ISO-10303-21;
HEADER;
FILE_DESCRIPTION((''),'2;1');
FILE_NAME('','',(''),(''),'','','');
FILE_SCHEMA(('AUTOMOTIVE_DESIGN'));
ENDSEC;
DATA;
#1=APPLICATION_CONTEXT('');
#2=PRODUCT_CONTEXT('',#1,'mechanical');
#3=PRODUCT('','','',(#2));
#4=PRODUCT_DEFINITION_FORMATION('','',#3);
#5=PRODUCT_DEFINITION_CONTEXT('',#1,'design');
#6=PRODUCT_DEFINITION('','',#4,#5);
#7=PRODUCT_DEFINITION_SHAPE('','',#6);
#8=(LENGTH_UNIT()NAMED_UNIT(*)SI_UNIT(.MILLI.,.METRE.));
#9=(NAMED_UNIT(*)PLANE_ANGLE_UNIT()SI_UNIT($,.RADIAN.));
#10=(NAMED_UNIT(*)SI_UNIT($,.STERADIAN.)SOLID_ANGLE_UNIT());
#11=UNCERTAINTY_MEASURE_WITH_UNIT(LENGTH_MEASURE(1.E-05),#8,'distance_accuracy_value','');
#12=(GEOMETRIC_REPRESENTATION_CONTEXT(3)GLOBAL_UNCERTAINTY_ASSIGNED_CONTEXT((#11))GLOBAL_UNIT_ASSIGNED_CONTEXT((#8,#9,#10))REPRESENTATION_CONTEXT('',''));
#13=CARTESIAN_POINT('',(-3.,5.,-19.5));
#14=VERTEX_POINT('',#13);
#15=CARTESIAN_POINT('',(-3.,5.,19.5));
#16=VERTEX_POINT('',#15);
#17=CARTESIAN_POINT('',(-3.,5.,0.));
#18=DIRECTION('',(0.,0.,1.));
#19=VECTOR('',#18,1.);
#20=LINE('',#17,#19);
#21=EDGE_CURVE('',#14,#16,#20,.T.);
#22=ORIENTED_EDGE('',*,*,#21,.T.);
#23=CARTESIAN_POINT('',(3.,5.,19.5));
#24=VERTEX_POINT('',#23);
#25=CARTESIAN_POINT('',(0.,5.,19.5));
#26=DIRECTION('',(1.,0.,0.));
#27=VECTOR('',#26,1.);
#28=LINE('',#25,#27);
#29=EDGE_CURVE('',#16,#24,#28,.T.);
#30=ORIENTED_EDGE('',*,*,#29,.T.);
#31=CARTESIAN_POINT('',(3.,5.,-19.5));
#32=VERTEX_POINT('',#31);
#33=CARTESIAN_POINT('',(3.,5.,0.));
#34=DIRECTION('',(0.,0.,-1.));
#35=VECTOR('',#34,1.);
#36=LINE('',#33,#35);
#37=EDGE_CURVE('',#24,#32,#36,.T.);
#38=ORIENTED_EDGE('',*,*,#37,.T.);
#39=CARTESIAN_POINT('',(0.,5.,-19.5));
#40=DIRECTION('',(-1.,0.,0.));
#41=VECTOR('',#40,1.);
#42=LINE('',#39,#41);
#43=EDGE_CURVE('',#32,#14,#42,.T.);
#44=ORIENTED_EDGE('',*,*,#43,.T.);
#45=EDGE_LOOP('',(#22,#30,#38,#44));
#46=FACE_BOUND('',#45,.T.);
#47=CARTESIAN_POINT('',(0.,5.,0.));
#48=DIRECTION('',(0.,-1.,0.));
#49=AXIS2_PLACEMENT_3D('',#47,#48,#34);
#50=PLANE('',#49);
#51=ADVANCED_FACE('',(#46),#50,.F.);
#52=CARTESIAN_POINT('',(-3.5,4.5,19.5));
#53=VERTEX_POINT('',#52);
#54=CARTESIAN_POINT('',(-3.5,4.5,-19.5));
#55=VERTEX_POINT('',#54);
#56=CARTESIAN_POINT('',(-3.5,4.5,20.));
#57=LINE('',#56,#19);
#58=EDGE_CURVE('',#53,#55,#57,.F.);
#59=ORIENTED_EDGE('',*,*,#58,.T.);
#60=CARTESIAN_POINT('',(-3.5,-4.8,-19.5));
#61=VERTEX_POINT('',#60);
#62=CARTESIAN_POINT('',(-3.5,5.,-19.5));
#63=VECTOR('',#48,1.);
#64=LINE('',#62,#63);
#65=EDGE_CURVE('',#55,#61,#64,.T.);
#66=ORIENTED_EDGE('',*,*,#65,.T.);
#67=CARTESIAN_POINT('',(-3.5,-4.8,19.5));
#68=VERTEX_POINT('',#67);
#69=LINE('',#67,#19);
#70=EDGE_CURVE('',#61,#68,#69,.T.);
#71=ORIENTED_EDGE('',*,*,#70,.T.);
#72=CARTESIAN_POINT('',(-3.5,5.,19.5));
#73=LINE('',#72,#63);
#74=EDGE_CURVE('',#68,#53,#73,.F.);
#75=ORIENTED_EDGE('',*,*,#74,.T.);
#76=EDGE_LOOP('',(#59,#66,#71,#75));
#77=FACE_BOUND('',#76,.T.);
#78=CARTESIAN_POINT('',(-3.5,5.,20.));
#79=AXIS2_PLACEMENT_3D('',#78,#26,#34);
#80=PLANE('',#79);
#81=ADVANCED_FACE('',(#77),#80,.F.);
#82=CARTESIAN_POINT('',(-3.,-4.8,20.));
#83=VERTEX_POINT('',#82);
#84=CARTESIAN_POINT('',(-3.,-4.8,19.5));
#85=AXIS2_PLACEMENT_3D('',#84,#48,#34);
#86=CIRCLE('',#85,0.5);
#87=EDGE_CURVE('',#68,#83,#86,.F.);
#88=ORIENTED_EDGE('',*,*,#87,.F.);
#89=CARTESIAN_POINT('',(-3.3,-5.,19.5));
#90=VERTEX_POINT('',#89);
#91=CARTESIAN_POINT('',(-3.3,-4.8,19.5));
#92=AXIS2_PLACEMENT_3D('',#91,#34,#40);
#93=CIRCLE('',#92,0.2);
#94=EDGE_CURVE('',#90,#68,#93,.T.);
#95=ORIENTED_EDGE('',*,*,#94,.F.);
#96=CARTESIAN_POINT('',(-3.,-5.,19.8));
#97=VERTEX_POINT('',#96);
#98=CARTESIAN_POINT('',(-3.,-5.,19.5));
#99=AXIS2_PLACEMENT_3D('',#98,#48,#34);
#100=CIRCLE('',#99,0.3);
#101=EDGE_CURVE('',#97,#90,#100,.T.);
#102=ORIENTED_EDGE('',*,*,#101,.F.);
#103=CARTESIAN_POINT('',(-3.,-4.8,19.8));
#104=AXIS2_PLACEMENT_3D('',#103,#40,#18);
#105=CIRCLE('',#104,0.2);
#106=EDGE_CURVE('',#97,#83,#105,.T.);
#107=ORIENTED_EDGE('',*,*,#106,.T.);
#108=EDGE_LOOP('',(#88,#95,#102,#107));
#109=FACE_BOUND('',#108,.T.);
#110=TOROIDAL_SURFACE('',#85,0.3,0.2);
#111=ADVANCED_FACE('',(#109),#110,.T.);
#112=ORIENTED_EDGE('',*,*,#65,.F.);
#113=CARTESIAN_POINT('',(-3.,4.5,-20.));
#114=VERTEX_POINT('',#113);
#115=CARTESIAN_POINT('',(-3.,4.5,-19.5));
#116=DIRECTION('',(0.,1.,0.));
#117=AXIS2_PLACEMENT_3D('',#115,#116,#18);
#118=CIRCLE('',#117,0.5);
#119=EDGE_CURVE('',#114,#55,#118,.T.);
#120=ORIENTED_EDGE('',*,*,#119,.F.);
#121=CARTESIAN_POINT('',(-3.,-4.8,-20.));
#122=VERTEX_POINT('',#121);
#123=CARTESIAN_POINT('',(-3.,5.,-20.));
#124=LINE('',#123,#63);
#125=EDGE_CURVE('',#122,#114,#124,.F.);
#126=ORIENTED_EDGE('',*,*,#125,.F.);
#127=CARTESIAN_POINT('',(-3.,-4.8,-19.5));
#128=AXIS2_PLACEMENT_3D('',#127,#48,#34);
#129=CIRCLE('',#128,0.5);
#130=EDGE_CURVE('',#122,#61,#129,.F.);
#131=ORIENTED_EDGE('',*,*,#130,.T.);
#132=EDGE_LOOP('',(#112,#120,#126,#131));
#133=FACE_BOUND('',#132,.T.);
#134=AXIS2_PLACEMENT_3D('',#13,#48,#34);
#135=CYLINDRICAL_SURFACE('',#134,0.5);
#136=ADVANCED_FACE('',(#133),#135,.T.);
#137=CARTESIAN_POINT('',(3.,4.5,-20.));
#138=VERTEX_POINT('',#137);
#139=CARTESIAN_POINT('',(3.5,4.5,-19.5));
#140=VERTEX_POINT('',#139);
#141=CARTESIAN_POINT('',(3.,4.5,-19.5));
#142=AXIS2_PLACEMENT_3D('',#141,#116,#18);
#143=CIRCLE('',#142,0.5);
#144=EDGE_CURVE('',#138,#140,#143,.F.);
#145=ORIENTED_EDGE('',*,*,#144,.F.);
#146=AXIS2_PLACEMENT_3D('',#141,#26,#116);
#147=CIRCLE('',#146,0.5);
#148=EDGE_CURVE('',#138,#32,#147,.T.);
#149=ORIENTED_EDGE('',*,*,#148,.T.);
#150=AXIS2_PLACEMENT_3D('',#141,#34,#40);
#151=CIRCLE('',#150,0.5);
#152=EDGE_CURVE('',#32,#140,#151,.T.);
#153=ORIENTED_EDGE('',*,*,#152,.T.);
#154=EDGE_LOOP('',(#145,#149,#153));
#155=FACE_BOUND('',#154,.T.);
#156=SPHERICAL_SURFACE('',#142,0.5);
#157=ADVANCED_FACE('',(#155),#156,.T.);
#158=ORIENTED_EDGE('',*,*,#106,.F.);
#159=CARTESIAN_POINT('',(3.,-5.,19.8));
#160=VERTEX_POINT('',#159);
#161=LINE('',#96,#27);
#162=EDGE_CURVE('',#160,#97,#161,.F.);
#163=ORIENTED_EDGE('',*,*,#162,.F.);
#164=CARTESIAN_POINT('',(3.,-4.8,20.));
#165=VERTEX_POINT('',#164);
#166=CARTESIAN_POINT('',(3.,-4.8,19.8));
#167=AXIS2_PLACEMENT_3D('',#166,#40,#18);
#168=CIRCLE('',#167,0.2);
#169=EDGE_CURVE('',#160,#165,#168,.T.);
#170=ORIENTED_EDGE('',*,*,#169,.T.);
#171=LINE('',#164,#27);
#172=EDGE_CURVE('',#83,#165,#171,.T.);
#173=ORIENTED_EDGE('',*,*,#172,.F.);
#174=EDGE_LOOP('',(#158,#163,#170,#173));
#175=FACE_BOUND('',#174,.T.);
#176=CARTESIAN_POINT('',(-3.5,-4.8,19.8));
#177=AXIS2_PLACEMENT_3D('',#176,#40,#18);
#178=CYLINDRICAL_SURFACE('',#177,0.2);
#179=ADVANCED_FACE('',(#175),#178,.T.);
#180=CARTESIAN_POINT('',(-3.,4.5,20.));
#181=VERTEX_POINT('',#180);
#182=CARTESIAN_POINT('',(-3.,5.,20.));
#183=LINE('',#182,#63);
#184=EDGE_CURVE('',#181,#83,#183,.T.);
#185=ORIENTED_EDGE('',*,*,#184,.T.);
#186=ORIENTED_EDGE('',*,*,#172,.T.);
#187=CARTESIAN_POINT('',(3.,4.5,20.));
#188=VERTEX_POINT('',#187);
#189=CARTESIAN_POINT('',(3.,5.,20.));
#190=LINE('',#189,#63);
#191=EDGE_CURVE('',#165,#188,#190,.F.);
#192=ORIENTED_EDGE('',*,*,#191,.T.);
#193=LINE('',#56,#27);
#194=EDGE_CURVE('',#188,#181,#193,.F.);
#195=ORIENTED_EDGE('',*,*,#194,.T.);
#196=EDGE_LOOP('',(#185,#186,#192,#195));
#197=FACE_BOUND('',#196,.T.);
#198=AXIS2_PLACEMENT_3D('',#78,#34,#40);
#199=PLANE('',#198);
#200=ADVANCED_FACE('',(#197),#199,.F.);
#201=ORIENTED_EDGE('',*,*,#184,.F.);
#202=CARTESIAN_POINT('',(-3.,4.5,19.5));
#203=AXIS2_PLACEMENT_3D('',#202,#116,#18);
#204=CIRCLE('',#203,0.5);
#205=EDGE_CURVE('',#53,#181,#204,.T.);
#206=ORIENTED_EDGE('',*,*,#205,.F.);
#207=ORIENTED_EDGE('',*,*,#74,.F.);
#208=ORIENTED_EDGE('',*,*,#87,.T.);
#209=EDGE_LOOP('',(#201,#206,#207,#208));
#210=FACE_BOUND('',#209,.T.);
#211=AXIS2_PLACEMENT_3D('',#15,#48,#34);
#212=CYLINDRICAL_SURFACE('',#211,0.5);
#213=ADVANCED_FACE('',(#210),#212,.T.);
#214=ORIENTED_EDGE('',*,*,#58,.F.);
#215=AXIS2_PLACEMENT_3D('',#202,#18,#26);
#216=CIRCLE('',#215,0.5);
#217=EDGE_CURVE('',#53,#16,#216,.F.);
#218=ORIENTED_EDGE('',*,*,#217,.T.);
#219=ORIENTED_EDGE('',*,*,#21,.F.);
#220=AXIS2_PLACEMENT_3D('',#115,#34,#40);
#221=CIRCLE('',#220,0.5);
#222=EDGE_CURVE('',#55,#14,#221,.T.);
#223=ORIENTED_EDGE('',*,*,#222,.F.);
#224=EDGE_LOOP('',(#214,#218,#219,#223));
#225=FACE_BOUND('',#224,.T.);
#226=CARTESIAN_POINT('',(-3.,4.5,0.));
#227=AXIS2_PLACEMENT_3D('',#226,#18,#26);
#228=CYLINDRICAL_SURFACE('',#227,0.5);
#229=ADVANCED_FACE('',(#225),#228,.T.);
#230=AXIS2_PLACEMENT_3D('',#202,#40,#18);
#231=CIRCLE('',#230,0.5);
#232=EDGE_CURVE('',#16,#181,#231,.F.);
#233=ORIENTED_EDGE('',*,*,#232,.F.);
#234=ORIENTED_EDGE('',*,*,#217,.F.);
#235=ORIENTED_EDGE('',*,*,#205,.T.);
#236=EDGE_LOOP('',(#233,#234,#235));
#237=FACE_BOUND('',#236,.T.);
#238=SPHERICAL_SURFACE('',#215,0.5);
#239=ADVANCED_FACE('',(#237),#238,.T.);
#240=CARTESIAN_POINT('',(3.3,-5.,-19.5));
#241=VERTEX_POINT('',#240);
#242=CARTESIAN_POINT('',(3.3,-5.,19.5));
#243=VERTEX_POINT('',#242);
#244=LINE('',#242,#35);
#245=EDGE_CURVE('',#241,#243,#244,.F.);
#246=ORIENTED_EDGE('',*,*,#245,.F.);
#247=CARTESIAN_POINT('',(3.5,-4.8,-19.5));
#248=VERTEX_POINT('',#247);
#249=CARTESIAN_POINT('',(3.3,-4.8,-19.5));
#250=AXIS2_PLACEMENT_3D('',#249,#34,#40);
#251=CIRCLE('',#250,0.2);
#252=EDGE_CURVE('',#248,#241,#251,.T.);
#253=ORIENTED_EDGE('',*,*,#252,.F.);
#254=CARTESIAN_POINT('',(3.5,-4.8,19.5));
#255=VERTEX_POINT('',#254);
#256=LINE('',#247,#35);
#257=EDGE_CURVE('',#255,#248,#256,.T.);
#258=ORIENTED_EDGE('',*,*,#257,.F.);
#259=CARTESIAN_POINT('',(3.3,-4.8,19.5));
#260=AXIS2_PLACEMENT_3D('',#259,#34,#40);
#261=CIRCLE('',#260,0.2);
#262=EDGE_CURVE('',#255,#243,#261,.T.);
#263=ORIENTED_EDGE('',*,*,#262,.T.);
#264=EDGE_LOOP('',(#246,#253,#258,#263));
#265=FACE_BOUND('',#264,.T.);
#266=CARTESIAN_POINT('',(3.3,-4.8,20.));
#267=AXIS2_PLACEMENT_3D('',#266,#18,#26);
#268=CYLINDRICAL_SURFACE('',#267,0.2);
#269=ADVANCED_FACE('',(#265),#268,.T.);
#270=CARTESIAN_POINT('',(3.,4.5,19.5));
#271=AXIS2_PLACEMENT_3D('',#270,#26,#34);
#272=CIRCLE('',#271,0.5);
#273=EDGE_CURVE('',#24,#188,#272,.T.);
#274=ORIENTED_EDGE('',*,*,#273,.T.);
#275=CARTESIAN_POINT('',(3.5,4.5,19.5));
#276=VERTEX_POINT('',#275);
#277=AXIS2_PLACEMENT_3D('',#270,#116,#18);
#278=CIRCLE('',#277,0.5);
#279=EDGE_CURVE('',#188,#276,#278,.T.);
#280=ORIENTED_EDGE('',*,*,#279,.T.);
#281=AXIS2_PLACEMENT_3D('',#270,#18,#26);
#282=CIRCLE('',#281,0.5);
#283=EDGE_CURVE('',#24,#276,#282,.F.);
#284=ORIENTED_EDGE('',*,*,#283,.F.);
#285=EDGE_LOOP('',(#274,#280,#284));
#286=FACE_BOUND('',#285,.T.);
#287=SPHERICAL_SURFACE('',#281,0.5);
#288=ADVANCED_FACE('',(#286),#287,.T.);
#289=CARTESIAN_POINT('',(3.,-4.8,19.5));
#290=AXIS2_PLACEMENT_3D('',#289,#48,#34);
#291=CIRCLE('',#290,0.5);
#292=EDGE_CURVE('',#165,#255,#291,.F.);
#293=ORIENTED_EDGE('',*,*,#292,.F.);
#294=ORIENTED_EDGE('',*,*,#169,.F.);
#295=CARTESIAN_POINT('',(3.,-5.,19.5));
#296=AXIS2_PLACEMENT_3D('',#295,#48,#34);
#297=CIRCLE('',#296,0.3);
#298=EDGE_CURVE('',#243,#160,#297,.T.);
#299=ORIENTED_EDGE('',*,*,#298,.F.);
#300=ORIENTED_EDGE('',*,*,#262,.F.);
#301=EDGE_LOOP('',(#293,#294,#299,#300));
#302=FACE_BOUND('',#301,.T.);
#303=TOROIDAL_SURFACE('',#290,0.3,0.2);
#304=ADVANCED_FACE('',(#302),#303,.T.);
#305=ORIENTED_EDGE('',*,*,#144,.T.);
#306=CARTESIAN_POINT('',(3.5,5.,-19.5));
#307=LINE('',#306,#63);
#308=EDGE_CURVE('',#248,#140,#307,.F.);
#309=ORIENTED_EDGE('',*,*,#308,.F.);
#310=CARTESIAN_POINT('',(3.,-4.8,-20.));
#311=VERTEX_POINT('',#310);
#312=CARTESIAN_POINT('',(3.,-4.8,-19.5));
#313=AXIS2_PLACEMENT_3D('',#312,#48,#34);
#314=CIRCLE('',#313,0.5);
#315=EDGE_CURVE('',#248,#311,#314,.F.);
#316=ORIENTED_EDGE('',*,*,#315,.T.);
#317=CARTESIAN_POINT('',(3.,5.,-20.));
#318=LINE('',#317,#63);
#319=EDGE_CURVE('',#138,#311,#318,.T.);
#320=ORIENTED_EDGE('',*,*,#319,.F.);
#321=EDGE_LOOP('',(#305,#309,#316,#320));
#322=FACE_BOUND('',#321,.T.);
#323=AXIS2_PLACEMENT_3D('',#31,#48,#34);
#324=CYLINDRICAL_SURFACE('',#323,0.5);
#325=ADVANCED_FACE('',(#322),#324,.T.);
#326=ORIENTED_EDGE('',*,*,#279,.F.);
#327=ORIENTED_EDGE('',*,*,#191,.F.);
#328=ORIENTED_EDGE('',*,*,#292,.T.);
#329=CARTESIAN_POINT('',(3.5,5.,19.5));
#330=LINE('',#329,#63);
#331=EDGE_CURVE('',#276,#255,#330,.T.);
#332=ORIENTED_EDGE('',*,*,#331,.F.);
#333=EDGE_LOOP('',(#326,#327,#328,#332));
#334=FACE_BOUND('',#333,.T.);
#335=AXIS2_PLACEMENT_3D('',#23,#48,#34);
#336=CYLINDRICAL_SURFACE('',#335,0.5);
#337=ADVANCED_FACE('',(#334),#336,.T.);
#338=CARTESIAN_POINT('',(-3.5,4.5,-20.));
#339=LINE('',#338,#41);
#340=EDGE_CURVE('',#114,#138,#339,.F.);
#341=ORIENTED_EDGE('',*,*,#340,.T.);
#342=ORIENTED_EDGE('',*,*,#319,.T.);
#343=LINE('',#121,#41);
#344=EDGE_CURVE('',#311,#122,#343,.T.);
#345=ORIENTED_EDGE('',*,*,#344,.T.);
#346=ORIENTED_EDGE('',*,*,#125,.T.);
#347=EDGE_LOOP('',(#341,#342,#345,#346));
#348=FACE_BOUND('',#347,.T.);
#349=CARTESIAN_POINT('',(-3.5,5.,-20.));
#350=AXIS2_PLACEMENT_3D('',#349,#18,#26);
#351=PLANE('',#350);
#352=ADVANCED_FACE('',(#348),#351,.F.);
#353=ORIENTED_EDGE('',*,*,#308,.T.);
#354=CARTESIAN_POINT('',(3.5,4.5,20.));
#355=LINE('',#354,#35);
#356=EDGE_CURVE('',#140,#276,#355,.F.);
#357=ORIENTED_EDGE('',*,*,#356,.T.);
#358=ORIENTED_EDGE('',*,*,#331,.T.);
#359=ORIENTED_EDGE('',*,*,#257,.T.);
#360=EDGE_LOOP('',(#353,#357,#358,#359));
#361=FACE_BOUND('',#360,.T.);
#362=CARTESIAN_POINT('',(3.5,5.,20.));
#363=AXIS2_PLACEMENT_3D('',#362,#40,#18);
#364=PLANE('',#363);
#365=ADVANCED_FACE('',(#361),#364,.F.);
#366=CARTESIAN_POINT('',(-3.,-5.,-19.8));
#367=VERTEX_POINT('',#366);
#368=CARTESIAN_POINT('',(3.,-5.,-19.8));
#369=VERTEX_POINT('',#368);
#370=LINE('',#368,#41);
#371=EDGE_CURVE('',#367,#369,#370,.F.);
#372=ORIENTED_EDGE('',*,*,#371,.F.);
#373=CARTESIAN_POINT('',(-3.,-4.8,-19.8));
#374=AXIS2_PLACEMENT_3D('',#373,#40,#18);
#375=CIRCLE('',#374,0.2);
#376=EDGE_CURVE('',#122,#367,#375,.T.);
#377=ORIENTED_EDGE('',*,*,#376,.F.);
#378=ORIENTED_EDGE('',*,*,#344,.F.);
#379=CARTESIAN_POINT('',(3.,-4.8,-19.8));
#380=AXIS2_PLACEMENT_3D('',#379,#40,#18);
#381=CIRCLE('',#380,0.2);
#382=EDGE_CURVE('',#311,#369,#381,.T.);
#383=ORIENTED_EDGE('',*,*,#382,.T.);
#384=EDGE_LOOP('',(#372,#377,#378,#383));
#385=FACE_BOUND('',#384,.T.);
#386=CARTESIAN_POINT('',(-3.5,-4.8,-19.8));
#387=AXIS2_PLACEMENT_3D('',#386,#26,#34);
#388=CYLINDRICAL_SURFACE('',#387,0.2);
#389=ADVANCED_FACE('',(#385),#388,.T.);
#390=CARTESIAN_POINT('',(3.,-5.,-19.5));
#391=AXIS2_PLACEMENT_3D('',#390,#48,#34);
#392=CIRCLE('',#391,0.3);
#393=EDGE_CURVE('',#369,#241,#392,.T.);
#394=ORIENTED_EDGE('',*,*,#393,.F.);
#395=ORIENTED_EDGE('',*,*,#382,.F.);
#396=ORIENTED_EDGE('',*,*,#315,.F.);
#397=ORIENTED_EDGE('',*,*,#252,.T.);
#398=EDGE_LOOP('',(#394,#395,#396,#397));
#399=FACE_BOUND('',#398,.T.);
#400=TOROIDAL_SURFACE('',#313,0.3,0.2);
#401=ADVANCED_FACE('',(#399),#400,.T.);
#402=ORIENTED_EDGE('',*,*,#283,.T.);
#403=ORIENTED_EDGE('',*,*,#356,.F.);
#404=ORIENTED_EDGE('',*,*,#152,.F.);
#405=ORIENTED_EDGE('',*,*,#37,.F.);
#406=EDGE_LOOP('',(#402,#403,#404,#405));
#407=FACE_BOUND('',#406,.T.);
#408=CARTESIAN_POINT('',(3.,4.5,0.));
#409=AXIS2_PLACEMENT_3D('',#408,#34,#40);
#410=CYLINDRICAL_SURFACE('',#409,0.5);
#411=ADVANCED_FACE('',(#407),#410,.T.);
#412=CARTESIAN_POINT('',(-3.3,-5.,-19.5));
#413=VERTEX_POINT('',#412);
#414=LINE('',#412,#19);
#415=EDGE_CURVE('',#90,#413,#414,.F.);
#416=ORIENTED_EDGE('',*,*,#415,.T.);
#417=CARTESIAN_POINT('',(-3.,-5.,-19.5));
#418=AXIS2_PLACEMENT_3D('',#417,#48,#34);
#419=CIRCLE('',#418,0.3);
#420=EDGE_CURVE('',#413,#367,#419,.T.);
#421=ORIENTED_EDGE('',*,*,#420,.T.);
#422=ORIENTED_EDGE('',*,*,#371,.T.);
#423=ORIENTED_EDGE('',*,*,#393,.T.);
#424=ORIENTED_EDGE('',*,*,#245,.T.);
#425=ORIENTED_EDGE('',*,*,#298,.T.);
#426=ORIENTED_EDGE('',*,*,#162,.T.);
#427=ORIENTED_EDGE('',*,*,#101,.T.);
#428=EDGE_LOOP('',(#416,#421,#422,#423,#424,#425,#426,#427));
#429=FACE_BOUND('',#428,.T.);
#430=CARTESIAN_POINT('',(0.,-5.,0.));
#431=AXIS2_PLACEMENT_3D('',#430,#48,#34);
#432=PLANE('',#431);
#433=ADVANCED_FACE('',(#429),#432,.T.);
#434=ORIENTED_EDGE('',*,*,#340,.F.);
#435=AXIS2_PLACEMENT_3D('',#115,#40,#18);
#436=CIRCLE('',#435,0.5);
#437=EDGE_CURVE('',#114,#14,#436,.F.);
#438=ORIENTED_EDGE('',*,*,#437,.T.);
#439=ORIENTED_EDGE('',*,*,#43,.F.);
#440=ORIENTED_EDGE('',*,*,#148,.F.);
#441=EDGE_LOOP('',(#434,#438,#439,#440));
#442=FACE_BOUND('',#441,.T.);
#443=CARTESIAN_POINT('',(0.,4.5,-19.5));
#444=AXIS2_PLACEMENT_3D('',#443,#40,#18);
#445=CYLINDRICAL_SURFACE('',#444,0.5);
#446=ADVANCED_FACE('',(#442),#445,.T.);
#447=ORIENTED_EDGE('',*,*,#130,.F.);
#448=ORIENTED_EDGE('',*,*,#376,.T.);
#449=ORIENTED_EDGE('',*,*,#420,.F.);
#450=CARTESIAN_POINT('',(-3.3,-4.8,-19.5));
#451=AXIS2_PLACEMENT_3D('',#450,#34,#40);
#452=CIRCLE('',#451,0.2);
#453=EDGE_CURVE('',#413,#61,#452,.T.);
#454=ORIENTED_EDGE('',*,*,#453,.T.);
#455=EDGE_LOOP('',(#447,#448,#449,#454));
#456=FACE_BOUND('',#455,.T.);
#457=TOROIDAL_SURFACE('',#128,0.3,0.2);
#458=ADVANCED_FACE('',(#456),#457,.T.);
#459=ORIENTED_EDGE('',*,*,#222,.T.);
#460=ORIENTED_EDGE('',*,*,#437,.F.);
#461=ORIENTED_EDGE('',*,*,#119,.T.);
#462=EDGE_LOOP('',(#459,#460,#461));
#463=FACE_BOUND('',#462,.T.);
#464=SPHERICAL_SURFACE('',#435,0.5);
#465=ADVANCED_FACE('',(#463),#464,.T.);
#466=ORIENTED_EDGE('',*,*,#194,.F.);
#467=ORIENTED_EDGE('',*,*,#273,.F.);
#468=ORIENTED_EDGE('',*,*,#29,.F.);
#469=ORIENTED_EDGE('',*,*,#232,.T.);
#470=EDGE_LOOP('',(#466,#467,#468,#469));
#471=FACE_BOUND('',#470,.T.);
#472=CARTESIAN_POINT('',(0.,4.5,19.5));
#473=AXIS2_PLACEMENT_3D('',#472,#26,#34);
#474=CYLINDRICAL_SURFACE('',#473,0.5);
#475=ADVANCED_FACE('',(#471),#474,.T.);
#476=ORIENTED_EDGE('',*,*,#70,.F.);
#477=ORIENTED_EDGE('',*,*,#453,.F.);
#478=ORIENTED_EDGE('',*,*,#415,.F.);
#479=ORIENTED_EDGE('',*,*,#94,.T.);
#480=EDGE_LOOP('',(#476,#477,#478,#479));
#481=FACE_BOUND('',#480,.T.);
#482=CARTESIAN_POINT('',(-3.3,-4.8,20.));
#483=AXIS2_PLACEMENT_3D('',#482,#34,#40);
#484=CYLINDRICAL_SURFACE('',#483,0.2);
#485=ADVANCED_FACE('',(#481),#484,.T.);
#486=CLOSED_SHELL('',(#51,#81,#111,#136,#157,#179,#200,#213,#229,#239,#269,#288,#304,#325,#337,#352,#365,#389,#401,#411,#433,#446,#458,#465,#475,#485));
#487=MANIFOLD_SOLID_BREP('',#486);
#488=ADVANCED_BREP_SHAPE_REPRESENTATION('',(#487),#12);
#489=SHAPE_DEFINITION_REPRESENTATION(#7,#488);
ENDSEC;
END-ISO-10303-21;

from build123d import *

# Parameters (mm, degrees)
SKETCH1_W           = 7
SKETCH1_H           = 40
BOSS_EXTRUDE1_DEPTH = 5
FILLET1_R           = 0.5
FILLET2_R           = 0.2


with BuildPart() as part:
    # Sketch1 → Boss-Extrude1 (new, symmetric)
    with BuildSketch(Plane(origin=(0, 0, 0), x_dir=(1, 0, 0), z_dir=(0, 1, 0))):
        Rectangle(SKETCH1_W, SKETCH1_H)
    extrude(amount=BOSS_EXTRUDE1_DEPTH, both=True)

    # Fillet1
    fillet1_edges = [part.edges().sort_by_distance(p)[0] for p in [
        (-3.5, 5, 0),
        (0, 5, 20),
        (3.5, 5, 0),
        (3.5, 0, 20),
        (-3.5, 0, 20),
        (-3.5, 0, -20),
        (3.5, 0, -20),
        (0, 5, -20),
    ]]
    fillet(fillet1_edges, radius=FILLET1_R)

    # Fillet2
    fillet2_edges = [part.edges().sort_by_distance(p)[0] for p in [
        (0, -5, -20),
        (3.5, -5, 0),
        (0, -5, 20),
        (-3.5, -5, 0),
        (-3.353553391, -5, -19.853553391),
        (-3.353553391, -5, 19.853553391),
        (3.353553391, -5, 19.853553391),
        (3.353553391, -5, -19.853553391),
    ]]
    fillet(fillet2_edges, radius=FILLET2_R)


solid = part.part
